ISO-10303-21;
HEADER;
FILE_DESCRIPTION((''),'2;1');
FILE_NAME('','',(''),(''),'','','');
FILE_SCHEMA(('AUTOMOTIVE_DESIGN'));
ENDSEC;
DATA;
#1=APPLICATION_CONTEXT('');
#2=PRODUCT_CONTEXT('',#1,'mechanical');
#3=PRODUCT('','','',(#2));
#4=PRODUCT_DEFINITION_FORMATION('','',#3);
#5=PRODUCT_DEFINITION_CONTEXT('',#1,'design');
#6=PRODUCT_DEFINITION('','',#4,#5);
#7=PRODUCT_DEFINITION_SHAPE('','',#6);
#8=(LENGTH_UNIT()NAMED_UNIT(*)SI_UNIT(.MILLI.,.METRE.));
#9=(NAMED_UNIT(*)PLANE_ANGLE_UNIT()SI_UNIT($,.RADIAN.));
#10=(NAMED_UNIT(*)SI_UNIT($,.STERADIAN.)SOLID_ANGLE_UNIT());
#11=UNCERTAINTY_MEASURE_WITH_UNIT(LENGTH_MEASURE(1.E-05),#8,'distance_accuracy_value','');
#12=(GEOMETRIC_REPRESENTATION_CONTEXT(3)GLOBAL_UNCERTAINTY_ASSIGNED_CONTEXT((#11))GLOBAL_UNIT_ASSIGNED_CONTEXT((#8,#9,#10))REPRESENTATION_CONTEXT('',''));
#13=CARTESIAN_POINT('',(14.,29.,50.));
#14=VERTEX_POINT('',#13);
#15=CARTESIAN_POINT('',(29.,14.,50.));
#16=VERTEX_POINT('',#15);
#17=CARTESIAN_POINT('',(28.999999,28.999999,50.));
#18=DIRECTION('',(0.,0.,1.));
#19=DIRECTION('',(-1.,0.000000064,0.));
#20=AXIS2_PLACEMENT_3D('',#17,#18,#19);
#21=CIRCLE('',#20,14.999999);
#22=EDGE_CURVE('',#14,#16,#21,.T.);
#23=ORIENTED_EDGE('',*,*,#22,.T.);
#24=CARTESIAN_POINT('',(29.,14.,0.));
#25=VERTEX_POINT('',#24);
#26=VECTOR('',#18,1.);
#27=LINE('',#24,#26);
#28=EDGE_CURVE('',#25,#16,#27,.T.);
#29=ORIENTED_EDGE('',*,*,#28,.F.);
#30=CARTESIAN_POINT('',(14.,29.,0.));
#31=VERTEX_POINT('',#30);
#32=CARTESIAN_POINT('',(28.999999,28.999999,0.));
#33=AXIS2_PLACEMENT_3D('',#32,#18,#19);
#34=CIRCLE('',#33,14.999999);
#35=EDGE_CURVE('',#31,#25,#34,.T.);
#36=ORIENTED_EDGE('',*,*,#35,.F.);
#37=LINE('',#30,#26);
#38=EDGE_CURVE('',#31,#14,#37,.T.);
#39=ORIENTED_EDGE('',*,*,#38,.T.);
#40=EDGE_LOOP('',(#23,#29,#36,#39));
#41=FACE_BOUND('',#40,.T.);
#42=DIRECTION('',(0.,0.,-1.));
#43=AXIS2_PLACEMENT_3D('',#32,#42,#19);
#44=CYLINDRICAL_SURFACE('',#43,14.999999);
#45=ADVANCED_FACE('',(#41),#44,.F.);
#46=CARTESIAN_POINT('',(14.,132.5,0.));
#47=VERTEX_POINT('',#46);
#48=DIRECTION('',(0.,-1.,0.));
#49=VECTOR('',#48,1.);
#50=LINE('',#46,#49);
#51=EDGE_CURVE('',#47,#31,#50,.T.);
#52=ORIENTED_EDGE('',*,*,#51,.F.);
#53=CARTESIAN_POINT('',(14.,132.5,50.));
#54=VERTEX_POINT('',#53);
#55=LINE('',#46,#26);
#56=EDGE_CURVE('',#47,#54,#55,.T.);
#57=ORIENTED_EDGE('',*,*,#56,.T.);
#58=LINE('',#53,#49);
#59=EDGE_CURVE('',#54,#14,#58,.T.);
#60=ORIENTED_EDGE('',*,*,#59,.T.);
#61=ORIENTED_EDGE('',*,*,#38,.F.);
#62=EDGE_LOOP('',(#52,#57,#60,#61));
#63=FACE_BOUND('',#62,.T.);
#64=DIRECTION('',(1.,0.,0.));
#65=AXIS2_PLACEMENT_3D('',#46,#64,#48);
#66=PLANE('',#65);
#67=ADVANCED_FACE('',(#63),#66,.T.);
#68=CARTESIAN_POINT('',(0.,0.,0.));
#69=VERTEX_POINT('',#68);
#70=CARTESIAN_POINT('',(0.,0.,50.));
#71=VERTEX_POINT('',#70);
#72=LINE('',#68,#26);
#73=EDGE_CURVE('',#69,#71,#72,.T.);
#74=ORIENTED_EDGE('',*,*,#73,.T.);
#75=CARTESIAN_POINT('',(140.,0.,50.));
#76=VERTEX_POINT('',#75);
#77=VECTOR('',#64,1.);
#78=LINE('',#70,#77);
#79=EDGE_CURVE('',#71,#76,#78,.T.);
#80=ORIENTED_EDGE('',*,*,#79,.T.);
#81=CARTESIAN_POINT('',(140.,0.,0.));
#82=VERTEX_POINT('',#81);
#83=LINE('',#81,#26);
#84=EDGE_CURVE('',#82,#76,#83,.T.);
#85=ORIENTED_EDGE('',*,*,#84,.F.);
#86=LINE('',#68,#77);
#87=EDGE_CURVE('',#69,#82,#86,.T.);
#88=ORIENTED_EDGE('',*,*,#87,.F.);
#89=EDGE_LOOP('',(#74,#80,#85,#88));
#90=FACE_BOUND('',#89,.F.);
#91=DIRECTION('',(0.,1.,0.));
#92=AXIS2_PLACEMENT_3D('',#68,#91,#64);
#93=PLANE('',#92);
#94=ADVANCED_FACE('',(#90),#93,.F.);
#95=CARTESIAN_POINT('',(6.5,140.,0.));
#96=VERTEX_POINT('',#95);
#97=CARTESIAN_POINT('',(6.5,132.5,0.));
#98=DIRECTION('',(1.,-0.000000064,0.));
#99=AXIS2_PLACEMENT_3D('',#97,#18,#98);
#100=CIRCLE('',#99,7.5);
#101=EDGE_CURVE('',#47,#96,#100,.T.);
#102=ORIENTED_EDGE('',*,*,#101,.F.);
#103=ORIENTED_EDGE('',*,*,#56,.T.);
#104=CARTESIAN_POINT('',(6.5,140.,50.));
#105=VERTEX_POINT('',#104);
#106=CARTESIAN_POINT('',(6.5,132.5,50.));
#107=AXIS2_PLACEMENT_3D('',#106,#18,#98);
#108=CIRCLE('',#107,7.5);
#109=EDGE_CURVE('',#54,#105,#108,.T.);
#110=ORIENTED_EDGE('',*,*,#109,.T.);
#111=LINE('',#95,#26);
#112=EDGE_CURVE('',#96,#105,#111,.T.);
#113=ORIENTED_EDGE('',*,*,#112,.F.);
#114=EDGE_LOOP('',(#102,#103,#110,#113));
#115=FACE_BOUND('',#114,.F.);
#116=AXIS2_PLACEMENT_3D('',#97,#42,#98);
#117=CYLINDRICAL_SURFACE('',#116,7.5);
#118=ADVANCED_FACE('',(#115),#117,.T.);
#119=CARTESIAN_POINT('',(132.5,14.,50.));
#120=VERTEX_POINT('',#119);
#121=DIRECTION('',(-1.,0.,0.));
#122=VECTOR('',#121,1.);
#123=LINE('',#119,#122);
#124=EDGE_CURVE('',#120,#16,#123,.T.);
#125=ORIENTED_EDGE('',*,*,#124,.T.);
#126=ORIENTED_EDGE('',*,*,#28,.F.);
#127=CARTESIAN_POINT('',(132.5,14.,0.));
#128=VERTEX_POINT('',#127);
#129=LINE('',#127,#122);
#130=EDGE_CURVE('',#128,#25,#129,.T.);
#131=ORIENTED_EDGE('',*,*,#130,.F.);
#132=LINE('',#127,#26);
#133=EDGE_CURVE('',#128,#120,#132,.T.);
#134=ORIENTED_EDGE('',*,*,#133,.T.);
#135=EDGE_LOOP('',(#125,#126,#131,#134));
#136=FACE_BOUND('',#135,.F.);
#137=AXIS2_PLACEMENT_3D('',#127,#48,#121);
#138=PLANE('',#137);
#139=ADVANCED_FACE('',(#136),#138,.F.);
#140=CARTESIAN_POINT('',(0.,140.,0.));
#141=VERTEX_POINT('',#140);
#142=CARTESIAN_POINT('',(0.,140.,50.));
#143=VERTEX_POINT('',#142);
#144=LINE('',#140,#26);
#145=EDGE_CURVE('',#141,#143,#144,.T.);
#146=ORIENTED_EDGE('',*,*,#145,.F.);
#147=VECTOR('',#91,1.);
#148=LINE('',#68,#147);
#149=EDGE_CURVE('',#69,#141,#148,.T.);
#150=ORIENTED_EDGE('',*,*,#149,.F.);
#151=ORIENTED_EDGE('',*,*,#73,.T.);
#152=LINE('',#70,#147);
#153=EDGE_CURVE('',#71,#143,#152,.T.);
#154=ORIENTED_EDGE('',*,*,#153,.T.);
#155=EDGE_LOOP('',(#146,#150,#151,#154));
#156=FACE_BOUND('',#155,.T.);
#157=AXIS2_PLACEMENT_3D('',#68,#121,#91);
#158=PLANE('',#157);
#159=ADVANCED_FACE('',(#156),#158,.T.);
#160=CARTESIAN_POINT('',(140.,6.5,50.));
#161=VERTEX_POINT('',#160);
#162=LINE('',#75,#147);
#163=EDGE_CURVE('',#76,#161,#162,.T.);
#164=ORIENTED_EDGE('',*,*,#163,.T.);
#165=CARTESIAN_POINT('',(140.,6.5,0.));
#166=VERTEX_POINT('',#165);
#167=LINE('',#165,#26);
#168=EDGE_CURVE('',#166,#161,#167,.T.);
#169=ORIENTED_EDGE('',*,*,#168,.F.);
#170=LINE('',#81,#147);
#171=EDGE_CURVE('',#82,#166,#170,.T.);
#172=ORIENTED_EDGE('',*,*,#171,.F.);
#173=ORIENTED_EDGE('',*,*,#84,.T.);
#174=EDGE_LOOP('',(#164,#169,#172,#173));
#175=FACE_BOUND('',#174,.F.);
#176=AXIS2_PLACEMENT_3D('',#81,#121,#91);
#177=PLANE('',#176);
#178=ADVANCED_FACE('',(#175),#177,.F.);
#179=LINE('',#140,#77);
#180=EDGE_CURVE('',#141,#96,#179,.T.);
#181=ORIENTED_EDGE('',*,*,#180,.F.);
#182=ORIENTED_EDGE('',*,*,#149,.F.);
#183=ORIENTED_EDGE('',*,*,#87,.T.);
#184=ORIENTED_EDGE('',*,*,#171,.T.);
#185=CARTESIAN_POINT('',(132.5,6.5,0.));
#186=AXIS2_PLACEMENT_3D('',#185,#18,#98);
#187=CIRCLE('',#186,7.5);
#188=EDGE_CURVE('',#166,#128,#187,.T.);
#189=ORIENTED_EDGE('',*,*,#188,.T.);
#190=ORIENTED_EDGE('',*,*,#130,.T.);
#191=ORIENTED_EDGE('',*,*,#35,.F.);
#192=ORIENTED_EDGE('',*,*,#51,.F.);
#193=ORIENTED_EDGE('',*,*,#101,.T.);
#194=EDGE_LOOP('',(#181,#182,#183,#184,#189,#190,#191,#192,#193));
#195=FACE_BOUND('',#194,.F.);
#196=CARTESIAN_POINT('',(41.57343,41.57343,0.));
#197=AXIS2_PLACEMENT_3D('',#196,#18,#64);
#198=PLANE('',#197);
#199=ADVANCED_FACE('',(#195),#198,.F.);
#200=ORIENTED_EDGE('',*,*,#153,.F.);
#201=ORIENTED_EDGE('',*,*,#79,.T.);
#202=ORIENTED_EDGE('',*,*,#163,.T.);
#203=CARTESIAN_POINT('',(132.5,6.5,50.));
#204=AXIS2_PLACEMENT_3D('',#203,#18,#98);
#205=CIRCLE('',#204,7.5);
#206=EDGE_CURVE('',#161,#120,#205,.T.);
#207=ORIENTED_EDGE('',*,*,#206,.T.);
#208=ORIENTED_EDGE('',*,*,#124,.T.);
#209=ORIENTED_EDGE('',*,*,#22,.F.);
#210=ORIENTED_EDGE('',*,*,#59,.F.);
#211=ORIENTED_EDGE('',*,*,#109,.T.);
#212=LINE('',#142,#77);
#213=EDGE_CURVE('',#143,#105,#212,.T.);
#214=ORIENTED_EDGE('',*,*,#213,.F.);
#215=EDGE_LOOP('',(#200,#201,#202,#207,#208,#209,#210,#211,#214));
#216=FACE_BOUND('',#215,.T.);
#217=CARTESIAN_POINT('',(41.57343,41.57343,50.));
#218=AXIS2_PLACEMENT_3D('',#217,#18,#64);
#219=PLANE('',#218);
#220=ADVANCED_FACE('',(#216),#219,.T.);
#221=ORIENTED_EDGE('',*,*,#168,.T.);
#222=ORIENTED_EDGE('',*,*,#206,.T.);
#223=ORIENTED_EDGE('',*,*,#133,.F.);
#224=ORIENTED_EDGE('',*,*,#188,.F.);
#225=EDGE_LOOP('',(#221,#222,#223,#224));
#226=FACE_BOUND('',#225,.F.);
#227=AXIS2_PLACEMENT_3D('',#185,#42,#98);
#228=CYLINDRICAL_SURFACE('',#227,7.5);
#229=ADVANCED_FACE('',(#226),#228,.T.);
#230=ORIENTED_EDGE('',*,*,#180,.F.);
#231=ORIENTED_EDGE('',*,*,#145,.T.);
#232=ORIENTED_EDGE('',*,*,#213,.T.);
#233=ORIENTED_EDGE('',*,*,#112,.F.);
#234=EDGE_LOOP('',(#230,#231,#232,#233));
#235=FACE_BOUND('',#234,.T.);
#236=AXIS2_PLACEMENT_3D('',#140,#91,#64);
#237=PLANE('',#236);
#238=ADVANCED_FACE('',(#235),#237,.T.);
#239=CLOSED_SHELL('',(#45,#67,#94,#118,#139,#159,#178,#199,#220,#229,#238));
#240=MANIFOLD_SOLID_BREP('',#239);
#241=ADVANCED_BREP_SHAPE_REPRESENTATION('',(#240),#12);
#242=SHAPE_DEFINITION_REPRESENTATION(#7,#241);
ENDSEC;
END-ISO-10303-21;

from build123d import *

# Parameters (mm, degrees)
EXTRUDE_DEPTH = 50


with BuildPart() as part:
    # Sketch → Extrude (new body)
    with BuildSketch(Plane.XY):
        with BuildLine():
            Line((0, 0), (140, 0))
            Line((140, 0), (140, 6.5))
            ThreePointArc((140, 6.5), (137.803301, 11.803301), (132.5, 14))
            Line((132.5, 14), (29, 14))
            ThreePointArc((14, 29), (18.393398, 18.393398), (29, 14))
            Line((14, 132.5), (14, 29))
            ThreePointArc((14, 132.5), (11.803301, 137.803301), (6.5, 140))
            Line((0, 140), (6.5, 140))
            Line((0, 0), (0, 140))
        make_face()
    extrude(amount=EXTRUDE_DEPTH)


solid = part.part
